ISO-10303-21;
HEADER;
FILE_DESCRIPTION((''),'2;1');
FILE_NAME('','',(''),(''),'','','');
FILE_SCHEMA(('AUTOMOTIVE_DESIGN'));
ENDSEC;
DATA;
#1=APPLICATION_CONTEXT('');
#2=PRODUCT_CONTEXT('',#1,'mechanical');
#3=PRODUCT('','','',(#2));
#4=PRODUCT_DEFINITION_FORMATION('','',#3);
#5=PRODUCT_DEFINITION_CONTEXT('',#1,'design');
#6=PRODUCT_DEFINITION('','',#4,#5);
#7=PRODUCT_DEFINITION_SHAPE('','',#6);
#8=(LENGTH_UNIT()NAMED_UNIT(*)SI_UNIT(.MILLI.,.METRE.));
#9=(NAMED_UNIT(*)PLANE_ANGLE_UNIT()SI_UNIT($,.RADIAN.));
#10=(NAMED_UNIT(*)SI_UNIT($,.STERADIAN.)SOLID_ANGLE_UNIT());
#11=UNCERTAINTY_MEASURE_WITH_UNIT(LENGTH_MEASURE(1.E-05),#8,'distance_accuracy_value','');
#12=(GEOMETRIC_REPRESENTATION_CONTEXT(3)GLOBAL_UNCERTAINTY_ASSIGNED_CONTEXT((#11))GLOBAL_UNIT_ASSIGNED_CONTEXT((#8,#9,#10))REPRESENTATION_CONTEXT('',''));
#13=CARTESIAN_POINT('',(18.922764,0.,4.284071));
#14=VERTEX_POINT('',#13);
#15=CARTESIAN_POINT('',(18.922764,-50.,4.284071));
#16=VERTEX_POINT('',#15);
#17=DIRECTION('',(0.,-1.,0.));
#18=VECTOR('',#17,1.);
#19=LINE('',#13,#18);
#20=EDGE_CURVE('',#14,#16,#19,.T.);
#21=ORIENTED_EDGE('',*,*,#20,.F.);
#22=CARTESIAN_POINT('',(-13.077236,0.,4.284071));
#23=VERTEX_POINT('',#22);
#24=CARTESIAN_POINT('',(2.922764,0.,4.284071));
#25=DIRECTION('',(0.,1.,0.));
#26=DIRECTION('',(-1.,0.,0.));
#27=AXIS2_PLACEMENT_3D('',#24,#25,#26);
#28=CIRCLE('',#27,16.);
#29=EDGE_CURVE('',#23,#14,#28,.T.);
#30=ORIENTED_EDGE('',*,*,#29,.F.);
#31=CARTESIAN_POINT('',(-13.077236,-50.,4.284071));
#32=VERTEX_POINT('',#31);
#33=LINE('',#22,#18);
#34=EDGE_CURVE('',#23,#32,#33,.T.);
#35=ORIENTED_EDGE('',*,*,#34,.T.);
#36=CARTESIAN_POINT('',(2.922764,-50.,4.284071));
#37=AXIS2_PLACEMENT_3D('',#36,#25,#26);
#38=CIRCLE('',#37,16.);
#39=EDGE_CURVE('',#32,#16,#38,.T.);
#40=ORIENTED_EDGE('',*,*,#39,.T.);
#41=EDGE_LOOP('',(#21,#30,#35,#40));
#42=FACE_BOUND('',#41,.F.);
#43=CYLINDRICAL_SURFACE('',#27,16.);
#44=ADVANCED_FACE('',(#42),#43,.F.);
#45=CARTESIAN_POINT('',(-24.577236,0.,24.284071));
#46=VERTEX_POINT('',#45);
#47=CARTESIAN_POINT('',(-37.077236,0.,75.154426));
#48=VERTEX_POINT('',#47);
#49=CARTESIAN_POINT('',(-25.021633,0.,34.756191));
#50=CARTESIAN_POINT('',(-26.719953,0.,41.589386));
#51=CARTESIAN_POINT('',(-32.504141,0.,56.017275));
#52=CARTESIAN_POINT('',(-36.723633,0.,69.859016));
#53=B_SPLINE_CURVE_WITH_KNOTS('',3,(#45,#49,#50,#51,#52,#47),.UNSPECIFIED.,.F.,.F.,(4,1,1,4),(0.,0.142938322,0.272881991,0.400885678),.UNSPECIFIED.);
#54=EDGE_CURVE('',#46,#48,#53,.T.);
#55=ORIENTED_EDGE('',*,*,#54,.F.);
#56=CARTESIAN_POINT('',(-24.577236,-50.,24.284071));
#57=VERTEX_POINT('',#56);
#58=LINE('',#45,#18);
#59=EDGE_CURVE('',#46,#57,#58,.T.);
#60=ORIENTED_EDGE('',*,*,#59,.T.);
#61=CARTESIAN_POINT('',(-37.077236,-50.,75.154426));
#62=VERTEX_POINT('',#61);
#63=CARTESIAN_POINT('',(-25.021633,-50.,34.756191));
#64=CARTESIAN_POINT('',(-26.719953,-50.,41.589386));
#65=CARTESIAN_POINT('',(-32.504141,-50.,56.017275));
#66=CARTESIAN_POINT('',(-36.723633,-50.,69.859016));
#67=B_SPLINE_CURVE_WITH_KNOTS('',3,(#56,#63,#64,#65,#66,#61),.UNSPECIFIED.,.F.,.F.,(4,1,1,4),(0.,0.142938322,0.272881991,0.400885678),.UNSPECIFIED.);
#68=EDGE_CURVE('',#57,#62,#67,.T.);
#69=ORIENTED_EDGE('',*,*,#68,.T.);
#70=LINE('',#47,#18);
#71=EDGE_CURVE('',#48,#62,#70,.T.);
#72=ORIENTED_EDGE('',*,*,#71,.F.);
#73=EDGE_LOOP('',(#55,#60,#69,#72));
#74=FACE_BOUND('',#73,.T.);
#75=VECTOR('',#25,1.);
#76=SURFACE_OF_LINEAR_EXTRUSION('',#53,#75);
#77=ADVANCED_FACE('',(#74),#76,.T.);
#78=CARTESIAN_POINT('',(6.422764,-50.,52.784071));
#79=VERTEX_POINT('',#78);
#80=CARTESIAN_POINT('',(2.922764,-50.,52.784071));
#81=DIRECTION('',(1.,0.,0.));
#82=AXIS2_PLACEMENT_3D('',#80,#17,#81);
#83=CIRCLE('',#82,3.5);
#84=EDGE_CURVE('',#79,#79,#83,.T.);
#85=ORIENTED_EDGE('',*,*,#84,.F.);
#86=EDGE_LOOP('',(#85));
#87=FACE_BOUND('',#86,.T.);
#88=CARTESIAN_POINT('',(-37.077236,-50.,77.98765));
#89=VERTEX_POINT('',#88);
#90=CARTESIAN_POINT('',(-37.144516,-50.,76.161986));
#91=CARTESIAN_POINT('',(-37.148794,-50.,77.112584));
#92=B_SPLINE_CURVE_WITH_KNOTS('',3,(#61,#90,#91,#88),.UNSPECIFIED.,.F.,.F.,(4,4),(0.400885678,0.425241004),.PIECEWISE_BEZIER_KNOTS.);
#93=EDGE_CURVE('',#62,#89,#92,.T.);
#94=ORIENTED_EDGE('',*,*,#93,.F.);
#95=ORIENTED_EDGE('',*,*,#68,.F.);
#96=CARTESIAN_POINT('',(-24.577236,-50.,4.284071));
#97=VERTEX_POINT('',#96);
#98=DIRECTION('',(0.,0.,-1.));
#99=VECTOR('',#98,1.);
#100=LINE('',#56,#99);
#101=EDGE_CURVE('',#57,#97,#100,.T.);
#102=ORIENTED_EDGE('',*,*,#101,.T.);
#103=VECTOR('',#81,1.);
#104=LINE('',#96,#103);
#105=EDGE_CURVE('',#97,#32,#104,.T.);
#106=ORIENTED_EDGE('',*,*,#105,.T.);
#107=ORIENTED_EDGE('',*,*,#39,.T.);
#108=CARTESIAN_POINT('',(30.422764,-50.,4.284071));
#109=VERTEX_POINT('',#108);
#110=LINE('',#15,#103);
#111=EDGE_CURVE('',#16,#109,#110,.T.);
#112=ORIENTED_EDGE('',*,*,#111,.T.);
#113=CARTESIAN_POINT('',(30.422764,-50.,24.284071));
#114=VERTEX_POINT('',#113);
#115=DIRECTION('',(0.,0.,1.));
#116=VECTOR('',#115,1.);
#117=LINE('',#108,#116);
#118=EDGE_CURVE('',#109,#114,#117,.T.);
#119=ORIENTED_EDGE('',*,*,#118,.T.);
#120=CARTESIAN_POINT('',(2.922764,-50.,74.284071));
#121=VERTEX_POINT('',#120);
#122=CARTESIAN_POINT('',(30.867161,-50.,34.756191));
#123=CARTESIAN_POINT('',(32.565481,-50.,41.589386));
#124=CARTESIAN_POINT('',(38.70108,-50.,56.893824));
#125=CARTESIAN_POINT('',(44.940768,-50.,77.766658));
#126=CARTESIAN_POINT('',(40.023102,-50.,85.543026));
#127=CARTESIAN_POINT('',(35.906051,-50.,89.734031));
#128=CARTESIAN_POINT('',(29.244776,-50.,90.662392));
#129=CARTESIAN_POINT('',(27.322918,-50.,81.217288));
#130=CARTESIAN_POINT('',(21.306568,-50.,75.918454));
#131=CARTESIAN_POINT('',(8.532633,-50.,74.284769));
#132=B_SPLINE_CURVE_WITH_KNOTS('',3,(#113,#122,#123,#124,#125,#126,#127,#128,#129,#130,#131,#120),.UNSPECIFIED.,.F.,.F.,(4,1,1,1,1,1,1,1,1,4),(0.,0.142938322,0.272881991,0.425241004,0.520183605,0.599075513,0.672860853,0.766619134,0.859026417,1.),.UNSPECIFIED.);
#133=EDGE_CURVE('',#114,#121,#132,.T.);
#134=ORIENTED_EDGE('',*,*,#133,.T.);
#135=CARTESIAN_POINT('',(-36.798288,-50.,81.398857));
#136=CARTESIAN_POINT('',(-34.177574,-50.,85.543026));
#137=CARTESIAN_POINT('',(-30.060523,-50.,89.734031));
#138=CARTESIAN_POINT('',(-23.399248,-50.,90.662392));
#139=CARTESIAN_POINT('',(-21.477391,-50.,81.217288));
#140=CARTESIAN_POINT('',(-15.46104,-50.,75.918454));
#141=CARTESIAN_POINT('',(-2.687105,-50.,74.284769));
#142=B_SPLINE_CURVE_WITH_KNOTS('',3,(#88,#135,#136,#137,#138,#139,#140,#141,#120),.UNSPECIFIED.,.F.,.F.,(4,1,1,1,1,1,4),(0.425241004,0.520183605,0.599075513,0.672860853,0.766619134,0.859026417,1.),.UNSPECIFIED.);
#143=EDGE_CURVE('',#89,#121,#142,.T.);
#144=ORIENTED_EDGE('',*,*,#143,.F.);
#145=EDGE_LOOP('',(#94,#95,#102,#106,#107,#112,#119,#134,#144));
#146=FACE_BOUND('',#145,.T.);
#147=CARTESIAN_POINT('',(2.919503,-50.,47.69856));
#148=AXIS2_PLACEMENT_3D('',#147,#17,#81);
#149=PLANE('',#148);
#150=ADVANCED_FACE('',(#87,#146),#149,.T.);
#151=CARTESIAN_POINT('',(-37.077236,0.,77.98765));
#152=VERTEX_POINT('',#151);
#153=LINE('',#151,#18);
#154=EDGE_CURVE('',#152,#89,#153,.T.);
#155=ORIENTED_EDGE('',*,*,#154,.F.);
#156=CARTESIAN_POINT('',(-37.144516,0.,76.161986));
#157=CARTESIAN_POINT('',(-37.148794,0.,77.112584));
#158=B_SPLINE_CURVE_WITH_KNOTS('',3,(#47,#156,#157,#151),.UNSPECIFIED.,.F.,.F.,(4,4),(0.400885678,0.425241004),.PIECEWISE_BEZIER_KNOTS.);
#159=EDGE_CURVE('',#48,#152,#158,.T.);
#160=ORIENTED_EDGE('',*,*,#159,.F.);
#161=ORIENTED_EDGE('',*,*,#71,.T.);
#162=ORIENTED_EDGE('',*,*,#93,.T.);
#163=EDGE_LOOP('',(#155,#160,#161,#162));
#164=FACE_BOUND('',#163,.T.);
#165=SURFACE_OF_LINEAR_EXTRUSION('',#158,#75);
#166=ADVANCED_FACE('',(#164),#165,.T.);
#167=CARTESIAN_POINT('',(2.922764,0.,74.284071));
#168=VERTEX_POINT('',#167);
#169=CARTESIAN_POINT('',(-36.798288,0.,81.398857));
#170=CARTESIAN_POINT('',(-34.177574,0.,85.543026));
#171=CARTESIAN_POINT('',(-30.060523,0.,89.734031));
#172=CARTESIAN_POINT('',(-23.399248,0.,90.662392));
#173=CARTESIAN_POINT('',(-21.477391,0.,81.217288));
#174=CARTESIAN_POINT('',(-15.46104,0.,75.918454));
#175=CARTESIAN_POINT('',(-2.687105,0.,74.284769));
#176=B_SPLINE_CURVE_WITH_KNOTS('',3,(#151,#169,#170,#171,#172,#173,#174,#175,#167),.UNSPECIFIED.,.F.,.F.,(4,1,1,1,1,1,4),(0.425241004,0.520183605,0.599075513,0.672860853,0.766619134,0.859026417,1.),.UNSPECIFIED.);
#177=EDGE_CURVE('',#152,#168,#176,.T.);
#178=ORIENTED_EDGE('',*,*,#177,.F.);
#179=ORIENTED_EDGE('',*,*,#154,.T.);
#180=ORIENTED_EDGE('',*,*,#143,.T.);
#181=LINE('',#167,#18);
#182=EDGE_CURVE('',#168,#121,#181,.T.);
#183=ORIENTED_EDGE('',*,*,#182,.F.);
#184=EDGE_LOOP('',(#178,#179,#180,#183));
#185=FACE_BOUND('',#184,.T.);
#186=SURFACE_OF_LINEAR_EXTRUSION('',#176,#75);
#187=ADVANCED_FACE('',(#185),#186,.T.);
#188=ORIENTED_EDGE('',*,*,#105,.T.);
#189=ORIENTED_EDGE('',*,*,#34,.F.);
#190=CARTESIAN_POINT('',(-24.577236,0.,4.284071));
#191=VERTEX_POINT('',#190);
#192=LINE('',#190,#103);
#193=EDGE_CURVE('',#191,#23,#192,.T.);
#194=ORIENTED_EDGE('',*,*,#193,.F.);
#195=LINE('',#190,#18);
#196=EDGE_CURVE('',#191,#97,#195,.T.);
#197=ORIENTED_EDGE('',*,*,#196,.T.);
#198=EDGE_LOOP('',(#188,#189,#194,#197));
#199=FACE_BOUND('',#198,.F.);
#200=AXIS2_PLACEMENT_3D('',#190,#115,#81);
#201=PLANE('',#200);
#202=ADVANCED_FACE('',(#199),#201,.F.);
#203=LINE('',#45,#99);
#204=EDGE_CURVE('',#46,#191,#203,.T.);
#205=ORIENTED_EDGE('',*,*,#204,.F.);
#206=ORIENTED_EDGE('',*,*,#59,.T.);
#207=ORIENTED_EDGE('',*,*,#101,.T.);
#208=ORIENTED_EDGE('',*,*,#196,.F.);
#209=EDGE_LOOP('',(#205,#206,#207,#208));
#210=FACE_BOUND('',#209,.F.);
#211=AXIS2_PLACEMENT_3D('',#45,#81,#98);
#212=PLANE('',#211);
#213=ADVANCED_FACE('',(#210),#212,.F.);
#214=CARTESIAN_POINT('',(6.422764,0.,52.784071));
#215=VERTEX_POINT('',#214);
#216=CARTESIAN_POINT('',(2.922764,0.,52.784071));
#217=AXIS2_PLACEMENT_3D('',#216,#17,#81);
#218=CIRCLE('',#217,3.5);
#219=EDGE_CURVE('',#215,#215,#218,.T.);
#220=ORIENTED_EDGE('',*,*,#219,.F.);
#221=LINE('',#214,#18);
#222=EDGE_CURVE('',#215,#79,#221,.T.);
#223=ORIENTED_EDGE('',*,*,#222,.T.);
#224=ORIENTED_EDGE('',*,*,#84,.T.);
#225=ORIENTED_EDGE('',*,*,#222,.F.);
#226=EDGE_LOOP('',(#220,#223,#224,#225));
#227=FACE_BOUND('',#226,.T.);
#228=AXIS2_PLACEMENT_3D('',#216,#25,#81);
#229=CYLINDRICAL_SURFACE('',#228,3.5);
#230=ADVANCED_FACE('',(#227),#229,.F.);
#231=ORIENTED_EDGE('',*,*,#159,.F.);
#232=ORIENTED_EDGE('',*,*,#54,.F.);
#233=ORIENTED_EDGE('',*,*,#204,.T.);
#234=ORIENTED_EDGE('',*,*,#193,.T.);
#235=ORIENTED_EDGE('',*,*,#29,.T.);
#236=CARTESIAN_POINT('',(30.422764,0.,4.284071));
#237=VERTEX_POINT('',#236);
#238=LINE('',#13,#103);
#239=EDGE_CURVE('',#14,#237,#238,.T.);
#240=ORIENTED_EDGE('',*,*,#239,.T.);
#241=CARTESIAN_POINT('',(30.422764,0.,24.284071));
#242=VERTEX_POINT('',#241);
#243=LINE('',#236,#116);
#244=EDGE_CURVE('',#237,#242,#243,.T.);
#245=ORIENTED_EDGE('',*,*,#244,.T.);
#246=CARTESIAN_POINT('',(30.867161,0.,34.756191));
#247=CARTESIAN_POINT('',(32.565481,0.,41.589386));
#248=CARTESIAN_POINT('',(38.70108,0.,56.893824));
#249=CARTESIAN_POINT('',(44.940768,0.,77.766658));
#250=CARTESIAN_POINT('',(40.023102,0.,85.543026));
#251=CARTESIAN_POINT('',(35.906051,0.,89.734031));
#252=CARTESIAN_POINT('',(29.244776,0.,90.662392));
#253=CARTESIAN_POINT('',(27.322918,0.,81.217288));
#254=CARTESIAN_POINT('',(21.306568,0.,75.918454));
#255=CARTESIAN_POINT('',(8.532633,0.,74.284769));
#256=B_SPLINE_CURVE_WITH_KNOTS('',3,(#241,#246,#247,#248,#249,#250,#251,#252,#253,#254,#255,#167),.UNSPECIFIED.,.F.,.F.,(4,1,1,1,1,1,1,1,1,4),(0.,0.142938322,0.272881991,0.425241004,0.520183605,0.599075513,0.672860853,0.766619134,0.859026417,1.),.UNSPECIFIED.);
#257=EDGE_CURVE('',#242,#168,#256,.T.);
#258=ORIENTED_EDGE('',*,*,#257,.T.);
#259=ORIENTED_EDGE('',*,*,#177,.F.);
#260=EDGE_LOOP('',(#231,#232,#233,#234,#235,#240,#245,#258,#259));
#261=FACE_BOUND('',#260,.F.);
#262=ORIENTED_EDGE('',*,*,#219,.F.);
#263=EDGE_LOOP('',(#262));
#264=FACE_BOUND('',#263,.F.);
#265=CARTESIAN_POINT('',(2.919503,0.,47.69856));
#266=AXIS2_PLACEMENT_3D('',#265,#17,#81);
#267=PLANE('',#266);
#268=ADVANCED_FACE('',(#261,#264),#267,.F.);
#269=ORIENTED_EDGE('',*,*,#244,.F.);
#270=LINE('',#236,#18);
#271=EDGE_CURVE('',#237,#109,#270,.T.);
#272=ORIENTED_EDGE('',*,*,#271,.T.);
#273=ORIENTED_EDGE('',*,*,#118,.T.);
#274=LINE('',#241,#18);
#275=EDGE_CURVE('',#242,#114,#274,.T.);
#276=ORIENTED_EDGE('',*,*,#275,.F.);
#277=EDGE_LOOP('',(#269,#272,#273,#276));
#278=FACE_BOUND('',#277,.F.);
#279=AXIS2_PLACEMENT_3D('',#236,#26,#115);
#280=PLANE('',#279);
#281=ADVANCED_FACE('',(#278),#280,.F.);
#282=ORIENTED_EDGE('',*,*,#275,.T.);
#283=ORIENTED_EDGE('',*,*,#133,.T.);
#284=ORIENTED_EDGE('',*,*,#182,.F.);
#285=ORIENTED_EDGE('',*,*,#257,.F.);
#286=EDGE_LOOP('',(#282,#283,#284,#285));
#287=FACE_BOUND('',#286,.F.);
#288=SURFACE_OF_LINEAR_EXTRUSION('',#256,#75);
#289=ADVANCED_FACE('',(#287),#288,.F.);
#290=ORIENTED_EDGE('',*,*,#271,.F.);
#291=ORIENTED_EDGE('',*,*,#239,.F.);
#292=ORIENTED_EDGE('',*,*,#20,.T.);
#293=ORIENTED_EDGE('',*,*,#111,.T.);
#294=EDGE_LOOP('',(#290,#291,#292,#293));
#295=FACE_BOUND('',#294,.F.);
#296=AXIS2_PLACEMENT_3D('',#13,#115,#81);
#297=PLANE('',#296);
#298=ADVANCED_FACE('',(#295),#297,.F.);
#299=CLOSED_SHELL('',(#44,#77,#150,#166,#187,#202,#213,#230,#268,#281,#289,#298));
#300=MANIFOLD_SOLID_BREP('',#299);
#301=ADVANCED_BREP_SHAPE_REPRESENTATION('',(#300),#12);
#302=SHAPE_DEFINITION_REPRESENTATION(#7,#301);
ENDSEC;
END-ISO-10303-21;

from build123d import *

# Parameters (mm, degrees)
F0_R     = 3.5
F1_DEPTH = 50


with BuildPart() as f1:
    # F0 (on Front) → F1 (new body)
    with BuildSketch(Plane.XZ):
        with BuildLine():
            ThreePointArc((-13.0772360108, 4.2840707704), (2.9227639892, 20.2840707704), (18.9227639892, 4.2840707704))
            Line((18.9227639892, 4.2840707704), (30.4227639892, 4.2840707704))
            Line((30.4227639892, 4.2840707704), (30.4227639892, 24.2840707704))
            add(Edge.make_bspline(
                [(30.4227639892, 24.2840707704), (30.8671611705, 34.7561910406), (32.5654809257, 41.5893855226), (38.7010799922, 56.893823778), (44.9407681506, 77.7666580733), (40.0231020036, 85.5430262459), (35.9060512587, 89.7340311048), (29.2447763763, 90.6623921751), (27.3229184832, 81.2172881869), (21.3065677583, 75.9184540238), (8.5326332146, 74.2847687026), (2.9227639892, 74.2840707704)],
                knots=[0, 0, 0, 0, 0.1429383225, 0.2728819911, 0.4252410038, 0.5201836047, 0.5990755134, 0.6728608532, 0.7666191343, 0.8590264165, 1, 1, 1, 1], degree=3))
            add(Edge.make_bspline(
                [(-37.0772360108, 77.987650375), (-36.798288493, 81.398857047), (-34.1775740252, 85.5430262459), (-30.0605232803, 89.7340311048), (-23.3992483979, 90.6623921751), (-21.4773905047, 81.2172881869), (-15.4610397799, 75.9184540238), (-2.6871052361, 74.2847687026), (2.9227639892, 74.2840707704)],
                knots=[0.4252410038, 0.4252410038, 0.4252410038, 0.4252410038, 0.5201836047, 0.5990755134, 0.6728608532, 0.7666191343, 0.8590264165, 1, 1, 1, 1], degree=3))
            Line((-37.0772360108, 77.987650375), (-37.0772360108, 75.1544258643))
            add(Edge.make_bspline(
                [(-24.5772360108, 24.2840707704), (-25.021633192, 34.7561910406), (-26.7199529473, 41.5893855226), (-32.5041406664, 56.0172747712), (-36.7236328621, 69.8590164846), (-37.0772360108, 75.1544258643)],
                knots=[0, 0, 0, 0, 0.1429383225, 0.2728819911, 0.400885678, 0.400885678, 0.400885678, 0.400885678], degree=3))
            Line((-24.5772360108, 24.2840707704), (-24.5772360108, 4.2840707704))
            Line((-24.5772360108, 4.2840707704), (-13.0772360108, 4.2840707704))
        make_face()
        with Locations((2.9227639892, 52.7840707704)):
            Circle(F0_R, mode=Mode.SUBTRACT)
        with BuildLine():
            add(Edge.make_bspline(
                [(-37.0772360108, 75.1544258643), (-37.1445162594, 76.1619860655), (-37.1487935371, 77.1125842935), (-37.0772360108, 77.987650375)],
                knots=[0.400885678, 0.400885678, 0.400885678, 0.400885678, 0.4252410038, 0.4252410038, 0.4252410038, 0.4252410038], degree=3))
            Line((-37.0772360108, 75.1544258643), (-37.0772360108, 77.987650375))
        make_face()
    extrude(amount=F1_DEPTH)


solid = f1.part
